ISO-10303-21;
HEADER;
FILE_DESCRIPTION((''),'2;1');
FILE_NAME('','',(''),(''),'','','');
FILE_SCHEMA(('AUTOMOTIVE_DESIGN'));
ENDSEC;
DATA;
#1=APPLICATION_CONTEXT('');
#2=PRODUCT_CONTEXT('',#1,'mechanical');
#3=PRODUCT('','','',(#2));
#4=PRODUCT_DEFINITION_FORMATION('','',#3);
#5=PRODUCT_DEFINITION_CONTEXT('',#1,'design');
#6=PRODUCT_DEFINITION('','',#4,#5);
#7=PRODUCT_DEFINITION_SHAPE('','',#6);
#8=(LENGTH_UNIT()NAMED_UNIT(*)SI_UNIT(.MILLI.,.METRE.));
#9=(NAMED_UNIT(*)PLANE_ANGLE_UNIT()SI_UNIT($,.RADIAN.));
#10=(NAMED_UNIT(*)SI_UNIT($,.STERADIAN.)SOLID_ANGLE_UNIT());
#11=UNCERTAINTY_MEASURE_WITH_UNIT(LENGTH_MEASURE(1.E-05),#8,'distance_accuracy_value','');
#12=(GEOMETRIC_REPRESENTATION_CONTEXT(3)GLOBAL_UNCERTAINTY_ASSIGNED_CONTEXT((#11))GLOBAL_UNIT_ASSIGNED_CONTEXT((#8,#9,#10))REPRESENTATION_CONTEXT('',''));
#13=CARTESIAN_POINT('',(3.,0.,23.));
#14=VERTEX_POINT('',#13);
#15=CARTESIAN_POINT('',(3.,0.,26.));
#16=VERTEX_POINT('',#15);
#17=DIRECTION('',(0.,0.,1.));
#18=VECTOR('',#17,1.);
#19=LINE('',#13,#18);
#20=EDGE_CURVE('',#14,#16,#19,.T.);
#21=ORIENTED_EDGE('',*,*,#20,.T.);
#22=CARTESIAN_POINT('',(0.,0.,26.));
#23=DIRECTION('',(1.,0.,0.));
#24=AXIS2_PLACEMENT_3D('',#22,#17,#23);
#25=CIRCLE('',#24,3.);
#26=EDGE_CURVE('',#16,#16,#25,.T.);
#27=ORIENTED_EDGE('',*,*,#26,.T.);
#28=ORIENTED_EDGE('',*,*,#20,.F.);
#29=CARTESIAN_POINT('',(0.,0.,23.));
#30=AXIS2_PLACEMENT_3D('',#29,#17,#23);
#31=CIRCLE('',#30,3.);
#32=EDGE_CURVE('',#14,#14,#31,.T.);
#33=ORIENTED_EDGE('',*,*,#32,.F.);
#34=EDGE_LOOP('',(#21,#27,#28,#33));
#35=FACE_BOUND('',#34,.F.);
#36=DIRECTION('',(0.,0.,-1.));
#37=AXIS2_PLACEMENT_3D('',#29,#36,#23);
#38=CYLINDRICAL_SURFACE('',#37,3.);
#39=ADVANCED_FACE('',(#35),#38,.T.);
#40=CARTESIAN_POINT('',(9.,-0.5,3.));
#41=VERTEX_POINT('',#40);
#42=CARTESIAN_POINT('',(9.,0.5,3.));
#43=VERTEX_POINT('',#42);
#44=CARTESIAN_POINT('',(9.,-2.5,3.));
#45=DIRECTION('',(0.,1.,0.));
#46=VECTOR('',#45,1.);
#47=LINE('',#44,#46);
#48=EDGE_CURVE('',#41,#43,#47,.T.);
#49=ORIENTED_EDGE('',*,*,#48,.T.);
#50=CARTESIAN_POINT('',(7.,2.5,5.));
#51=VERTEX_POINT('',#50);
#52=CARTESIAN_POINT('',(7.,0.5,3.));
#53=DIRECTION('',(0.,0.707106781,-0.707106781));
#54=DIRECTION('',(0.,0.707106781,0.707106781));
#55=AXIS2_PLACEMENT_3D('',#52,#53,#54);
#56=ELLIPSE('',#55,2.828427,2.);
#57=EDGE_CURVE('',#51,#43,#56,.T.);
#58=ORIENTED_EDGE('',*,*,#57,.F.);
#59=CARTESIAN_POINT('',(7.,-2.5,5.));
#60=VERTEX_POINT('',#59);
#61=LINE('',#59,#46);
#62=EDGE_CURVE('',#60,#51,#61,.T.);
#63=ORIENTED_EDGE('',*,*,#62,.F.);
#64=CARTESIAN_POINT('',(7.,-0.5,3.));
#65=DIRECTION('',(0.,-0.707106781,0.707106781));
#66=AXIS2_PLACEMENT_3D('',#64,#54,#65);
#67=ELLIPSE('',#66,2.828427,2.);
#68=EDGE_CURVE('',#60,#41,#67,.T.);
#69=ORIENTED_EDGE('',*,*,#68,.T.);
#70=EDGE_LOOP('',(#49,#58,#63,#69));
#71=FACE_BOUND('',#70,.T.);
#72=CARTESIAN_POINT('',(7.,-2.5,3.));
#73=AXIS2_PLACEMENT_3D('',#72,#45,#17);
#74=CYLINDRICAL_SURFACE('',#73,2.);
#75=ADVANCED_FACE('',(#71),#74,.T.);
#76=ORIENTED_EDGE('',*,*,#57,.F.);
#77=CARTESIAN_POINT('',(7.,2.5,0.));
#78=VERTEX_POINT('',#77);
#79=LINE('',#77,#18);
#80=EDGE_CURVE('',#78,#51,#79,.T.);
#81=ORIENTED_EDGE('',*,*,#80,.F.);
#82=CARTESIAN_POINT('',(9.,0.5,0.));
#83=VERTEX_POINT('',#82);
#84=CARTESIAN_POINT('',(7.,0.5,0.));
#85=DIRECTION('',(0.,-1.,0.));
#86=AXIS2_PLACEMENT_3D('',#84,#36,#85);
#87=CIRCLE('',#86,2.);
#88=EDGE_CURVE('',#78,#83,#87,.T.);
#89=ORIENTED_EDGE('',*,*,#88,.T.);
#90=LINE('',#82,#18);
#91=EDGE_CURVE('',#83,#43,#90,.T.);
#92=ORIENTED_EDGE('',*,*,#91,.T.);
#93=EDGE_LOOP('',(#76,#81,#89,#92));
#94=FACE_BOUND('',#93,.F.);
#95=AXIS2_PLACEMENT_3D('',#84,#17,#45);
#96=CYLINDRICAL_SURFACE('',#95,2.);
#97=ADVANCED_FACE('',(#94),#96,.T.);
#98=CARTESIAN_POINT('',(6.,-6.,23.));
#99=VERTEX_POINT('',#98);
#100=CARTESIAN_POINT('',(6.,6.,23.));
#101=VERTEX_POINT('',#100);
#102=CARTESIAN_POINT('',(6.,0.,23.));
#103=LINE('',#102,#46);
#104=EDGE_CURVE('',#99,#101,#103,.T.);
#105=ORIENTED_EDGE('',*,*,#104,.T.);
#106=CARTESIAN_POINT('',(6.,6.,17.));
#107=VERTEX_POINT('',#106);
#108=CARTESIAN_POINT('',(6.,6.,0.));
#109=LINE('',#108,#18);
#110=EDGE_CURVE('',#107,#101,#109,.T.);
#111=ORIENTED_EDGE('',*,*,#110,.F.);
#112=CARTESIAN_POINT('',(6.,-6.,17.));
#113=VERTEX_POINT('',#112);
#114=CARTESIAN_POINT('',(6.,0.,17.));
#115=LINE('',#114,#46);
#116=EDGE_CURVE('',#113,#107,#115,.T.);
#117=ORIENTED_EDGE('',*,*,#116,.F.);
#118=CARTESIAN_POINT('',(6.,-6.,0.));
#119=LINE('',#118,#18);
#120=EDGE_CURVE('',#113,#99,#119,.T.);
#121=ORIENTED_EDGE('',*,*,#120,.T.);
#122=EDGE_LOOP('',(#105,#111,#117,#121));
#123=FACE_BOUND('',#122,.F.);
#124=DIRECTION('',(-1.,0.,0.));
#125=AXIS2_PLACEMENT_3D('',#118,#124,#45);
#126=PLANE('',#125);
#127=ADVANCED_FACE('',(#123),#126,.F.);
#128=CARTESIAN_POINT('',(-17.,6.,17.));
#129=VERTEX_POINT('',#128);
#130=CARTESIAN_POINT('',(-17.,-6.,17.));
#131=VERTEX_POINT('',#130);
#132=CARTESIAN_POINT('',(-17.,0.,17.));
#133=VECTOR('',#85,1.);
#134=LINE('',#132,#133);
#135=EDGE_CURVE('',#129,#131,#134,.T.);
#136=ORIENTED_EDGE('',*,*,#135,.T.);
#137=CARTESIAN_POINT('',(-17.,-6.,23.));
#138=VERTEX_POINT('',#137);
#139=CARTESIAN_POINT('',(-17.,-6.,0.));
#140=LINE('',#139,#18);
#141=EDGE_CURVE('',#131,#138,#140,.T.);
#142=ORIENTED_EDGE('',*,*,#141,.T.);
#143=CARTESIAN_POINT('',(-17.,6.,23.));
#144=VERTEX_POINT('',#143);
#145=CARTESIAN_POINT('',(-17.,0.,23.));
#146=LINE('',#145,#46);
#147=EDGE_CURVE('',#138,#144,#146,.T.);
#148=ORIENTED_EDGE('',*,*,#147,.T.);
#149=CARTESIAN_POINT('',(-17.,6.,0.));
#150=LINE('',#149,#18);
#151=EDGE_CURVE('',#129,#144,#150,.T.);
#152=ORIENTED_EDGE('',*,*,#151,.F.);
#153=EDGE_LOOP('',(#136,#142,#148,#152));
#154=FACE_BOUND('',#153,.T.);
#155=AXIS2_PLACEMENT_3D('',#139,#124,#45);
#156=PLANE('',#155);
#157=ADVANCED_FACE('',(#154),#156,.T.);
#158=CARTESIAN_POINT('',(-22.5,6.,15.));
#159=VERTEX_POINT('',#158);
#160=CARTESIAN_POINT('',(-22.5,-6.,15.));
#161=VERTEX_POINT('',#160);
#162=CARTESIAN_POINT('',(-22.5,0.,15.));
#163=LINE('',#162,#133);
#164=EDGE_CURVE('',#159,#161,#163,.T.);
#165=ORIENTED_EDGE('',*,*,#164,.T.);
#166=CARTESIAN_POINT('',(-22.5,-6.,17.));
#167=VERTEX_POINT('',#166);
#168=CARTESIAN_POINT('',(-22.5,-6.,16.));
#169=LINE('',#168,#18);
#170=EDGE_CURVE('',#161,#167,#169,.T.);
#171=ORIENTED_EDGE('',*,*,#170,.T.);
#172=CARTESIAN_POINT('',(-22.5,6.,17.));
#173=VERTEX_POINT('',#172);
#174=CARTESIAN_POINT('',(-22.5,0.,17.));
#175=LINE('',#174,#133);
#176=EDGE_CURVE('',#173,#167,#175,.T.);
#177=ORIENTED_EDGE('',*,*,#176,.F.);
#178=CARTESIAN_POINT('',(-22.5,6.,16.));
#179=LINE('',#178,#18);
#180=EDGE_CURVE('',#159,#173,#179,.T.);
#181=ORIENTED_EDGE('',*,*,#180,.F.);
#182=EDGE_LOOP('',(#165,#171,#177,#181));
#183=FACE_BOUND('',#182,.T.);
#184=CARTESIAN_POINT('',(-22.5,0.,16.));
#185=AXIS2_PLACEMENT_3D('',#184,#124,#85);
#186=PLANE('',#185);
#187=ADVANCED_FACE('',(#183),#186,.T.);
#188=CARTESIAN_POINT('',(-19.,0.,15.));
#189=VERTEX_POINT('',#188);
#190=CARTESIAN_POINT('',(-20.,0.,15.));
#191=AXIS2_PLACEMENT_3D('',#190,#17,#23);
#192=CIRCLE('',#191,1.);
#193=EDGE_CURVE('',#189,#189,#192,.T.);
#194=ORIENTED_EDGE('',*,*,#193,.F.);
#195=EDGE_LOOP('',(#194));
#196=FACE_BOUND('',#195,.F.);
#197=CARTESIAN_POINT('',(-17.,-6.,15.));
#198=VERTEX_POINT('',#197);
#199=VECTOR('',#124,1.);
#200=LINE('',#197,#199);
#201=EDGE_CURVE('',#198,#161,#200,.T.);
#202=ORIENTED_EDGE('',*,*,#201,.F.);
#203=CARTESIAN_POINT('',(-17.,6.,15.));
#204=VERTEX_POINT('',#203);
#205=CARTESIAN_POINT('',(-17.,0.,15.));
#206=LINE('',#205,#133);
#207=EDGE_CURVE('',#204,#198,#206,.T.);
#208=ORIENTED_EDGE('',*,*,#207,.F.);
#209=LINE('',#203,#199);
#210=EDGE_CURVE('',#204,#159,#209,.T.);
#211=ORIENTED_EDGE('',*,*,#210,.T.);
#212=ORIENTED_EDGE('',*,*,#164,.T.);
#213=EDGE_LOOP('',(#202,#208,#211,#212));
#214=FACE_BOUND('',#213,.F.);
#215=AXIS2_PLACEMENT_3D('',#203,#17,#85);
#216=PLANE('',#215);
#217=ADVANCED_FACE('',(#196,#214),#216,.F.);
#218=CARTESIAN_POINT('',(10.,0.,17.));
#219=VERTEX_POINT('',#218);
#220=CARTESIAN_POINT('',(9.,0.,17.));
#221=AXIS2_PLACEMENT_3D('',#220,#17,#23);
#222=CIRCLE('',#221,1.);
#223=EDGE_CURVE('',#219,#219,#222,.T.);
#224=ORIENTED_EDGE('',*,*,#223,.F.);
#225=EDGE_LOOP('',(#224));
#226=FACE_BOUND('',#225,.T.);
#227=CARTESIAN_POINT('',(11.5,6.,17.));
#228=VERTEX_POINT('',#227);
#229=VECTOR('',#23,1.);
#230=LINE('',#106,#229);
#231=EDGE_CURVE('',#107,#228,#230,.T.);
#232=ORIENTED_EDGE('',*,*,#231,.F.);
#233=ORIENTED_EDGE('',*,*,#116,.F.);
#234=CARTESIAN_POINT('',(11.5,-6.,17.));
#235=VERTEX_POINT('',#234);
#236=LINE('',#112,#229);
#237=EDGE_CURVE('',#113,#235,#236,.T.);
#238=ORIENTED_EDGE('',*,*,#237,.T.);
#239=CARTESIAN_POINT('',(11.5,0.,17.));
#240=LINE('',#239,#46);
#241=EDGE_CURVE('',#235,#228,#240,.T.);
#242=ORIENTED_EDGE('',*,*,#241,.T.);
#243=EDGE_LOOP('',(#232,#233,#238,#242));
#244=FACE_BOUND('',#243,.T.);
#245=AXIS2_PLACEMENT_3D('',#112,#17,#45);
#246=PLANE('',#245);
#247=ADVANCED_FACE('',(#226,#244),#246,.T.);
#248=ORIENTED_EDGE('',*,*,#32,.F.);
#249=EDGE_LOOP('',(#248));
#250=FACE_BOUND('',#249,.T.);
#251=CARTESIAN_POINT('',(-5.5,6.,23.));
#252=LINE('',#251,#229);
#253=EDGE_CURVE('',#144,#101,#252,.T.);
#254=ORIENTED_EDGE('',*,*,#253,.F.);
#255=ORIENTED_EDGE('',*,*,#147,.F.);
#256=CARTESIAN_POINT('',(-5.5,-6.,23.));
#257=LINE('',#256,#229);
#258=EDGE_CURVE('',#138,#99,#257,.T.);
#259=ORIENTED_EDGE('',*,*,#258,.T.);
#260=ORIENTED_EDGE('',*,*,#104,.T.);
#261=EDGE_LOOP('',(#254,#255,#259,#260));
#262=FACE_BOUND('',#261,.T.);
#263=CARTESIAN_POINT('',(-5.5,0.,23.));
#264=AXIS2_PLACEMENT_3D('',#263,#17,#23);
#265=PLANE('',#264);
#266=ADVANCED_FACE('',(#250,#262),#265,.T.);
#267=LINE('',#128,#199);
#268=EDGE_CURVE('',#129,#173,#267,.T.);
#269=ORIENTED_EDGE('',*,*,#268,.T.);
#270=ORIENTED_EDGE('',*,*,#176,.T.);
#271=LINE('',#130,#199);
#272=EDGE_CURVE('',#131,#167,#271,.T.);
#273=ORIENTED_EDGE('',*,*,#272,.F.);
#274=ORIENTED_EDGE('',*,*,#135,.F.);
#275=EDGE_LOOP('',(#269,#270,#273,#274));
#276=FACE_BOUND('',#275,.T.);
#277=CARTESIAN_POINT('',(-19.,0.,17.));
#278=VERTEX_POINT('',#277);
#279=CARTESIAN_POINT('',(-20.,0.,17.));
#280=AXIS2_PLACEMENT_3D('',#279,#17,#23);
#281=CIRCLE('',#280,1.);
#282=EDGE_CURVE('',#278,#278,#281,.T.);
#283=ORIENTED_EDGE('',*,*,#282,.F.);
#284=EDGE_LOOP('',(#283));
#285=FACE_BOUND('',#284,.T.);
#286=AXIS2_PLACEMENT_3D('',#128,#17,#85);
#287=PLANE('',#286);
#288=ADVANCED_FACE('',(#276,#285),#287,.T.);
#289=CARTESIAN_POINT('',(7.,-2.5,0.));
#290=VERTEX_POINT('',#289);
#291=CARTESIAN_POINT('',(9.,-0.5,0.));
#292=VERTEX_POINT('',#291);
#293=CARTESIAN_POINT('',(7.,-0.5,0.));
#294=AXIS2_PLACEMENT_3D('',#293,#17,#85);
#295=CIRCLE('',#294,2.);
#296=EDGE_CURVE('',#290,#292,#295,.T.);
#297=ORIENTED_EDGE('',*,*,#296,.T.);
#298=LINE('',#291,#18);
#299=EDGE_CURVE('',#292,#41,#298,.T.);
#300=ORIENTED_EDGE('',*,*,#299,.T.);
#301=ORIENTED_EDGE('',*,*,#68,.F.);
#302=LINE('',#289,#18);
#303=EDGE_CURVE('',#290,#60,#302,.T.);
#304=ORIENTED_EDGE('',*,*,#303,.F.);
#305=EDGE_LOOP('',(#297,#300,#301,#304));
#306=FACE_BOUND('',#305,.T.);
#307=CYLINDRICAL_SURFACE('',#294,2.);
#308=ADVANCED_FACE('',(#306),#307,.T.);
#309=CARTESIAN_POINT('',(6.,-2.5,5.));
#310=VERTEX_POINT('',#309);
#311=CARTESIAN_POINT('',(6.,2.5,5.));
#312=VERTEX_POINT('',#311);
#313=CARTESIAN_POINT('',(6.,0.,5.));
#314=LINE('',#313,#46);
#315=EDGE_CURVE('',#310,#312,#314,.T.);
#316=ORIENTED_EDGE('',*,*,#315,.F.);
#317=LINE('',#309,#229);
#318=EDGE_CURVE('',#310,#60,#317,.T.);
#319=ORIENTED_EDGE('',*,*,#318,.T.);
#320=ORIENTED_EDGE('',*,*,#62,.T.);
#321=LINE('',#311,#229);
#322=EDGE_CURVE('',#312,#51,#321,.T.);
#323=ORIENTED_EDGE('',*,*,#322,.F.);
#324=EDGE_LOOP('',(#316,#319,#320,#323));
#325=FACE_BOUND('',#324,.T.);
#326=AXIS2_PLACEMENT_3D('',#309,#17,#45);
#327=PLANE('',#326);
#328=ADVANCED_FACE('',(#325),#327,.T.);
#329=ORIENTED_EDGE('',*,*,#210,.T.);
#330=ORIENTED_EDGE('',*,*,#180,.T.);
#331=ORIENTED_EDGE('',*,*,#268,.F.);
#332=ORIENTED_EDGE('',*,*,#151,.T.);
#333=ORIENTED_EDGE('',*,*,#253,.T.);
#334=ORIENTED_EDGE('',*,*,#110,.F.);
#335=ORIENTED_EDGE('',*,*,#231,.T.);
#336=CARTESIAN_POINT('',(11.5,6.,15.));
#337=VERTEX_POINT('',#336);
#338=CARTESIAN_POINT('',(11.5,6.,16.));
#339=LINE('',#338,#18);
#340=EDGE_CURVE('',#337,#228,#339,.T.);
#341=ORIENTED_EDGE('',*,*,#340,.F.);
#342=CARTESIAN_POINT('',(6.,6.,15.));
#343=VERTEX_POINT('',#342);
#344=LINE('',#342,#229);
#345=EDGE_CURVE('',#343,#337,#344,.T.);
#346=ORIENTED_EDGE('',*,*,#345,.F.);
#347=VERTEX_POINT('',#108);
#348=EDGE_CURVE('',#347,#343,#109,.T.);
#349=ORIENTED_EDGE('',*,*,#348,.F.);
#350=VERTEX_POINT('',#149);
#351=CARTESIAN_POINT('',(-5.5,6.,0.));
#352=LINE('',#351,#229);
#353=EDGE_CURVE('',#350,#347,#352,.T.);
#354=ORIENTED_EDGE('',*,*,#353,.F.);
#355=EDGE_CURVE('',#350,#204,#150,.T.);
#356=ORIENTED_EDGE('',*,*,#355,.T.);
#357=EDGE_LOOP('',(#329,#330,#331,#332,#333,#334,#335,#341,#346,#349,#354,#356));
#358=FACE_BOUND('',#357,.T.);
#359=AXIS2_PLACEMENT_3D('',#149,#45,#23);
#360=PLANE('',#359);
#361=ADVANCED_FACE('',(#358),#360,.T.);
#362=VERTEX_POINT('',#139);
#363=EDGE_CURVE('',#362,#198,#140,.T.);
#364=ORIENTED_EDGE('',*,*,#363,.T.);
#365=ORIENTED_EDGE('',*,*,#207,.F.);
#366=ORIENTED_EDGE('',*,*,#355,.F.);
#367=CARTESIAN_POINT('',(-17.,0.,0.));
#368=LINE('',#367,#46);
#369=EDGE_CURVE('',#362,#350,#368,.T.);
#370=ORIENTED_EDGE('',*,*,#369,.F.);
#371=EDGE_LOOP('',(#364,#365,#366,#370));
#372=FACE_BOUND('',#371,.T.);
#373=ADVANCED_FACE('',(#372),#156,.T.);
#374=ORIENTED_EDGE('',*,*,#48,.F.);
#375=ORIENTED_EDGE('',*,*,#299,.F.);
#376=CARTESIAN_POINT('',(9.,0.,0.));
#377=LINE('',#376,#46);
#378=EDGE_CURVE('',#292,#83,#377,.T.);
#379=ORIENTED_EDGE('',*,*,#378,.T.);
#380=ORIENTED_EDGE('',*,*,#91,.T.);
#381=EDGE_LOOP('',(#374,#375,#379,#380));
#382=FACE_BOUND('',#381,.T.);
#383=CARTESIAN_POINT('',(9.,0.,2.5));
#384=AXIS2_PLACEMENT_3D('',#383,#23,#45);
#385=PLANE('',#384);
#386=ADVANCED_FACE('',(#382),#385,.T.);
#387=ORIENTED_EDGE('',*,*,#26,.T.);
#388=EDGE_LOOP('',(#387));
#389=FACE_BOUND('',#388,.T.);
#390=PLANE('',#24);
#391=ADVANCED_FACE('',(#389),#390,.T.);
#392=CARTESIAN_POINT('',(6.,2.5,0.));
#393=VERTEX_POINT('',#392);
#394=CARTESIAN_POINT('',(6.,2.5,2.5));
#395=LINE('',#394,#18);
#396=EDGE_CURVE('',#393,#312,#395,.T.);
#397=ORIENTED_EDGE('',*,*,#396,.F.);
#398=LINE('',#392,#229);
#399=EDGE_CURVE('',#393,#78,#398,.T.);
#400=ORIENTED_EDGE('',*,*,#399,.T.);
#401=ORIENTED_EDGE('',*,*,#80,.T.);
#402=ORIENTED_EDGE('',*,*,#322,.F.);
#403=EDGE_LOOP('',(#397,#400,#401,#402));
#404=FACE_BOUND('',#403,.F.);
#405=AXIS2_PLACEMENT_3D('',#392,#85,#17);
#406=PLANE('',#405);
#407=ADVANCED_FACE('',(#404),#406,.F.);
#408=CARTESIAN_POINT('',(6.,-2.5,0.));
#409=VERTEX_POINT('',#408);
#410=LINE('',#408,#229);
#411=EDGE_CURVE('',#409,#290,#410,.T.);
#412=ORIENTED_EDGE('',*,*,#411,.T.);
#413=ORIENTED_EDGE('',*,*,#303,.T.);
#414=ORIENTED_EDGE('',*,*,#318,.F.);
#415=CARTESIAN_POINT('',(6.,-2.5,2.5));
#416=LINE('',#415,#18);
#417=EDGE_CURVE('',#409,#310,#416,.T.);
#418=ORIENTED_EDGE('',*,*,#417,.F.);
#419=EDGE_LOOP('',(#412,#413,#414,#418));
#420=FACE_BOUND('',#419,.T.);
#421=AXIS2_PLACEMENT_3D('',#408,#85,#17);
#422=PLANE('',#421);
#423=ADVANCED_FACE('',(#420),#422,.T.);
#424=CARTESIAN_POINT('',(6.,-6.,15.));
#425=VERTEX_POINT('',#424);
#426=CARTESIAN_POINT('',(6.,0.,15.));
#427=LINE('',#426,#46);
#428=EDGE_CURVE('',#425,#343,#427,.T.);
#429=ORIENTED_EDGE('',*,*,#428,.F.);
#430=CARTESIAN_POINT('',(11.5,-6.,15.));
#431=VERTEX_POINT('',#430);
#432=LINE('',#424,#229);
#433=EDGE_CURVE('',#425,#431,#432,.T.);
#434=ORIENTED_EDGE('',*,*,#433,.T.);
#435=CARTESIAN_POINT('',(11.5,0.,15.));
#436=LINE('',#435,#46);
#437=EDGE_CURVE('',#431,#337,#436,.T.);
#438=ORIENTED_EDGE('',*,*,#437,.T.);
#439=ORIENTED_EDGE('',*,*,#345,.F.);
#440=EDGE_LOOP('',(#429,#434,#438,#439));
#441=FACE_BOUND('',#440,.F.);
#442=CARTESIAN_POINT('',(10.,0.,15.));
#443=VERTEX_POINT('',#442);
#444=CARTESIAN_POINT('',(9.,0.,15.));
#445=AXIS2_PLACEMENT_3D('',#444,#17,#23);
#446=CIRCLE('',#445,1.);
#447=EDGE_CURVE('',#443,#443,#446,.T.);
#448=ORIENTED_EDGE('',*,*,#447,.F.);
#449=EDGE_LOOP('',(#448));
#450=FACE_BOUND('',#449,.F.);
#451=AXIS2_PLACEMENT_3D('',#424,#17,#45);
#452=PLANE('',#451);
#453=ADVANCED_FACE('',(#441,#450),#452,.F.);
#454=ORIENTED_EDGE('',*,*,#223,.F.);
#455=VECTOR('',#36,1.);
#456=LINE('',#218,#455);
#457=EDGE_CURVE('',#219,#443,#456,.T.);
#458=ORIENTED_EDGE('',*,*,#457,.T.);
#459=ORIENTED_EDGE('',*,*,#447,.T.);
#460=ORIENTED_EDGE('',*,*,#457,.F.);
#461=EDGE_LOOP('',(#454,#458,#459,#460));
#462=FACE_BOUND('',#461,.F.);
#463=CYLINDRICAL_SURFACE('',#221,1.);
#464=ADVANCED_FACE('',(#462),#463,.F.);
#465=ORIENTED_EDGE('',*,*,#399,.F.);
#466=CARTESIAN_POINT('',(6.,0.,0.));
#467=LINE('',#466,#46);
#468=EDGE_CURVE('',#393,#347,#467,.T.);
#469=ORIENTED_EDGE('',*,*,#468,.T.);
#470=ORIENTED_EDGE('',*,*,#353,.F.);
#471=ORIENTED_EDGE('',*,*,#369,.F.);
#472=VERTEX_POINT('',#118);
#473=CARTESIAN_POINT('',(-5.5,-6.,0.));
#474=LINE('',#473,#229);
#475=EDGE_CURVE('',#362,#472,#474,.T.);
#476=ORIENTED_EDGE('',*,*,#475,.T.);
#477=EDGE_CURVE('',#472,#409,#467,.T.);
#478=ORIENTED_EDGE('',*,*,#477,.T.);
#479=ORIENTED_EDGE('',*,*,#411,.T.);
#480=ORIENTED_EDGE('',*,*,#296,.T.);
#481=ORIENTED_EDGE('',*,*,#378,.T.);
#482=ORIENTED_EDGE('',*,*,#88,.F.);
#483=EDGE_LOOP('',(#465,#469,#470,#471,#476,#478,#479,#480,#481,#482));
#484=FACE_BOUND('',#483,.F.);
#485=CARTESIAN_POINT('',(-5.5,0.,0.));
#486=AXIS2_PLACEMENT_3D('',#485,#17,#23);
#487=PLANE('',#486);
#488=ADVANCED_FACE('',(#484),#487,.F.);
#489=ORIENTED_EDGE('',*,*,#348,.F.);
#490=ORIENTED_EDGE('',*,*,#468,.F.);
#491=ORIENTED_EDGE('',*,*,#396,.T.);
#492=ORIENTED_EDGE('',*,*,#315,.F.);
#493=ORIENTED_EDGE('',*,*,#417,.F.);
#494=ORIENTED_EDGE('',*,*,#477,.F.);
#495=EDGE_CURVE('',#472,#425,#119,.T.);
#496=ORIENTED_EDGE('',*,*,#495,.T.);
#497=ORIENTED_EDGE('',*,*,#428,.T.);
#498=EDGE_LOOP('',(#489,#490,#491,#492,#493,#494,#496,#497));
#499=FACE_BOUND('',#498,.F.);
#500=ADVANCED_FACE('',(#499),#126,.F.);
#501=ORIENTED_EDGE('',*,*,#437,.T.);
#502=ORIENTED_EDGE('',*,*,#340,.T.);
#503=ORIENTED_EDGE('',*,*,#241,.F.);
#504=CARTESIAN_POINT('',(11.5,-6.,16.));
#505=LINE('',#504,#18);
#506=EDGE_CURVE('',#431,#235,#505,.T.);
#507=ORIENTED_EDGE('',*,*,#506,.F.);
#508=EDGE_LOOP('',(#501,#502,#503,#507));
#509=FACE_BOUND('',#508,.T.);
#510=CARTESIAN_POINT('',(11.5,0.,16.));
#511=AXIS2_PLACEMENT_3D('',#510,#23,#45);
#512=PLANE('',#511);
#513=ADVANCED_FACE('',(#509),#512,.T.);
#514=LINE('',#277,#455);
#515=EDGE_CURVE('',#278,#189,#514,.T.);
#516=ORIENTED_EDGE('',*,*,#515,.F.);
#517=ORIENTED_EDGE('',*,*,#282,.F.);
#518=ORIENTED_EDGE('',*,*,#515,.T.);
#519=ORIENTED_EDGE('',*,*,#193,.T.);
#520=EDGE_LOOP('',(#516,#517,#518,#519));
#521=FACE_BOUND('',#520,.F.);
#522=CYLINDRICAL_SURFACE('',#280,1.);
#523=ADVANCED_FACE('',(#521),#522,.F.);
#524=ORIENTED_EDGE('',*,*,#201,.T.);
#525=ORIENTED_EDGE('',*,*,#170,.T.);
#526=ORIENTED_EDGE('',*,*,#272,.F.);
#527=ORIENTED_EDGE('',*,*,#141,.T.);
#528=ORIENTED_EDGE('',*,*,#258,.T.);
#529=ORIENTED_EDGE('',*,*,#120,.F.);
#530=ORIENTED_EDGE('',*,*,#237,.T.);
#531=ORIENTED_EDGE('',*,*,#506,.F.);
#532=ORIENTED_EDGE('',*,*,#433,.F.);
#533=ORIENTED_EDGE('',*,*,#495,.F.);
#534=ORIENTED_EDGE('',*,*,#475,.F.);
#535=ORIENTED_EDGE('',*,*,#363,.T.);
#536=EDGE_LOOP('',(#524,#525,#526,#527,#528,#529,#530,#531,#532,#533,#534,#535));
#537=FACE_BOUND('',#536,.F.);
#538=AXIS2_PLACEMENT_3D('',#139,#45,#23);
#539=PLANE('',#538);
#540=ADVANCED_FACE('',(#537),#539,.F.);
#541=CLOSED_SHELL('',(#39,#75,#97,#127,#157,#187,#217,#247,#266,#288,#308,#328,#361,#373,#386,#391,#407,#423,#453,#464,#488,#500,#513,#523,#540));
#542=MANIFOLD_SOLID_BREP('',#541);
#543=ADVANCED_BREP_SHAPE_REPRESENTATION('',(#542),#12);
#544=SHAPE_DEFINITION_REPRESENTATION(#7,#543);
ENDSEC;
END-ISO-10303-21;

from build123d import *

# Parameters (mm, degrees)
SKETCH_W     = 23
SKETCH_H     = 12
PAD_DEPTH    = 23
SKETCH001_W  = 12
SKETCH001_H  = 2
PAD001_DEPTH = 5.5
SKETCH002_W  = 12
SKETCH002_H  = 2
PAD002_DEPTH = 5.5
SKETCH003_R  = 1
POCKET_DEPTH = 5
SKETCH004_R  = 3
PAD003_DEPTH = 3
SKETCH006_W  = 5
SKETCH006_H  = 5
PAD004_DEPTH = 3
FILLET_R     = 2


with BuildPart() as part:
    # Sketch → Pad (new body)
    with BuildSketch(Plane.XY):
        with Locations((-5.5, 0)):
            Rectangle(SKETCH_W, SKETCH_H)
    extrude(amount=PAD_DEPTH)

    # Sketch001 (on Face2 of Pad) → Pad001 (join)
    with BuildSketch(Plane.YZ.offset(6)):
        with Locations((0, 16)):
            Rectangle(SKETCH001_W, SKETCH001_H)
    extrude(amount=PAD001_DEPTH)

    # Sketch002 (on Face2 of Pad001) → Pad002 (join)
    with BuildSketch(Plane(origin=(-17, 0, 0), x_dir=(0, -1, 0), z_dir=(-1, 0, 0))):
        with Locations((0, 16)):
            Rectangle(SKETCH002_W, SKETCH002_H)
    extrude(amount=PAD002_DEPTH)

    # Sketch003 (on Face12 of Pad002) → Pocket (cut)
    with BuildSketch(Plane.XY.offset(17)):
        with Locations((-20, 0)):
            Circle(SKETCH003_R)
        with Locations((9, 0)):
            Circle(SKETCH003_R)
    extrude(amount=-POCKET_DEPTH, mode=Mode.SUBTRACT)

    # Sketch004 (on Face9 of Pocket) → Pad003 (join)
    with BuildSketch(Plane.XY.offset(23)):
        Circle(SKETCH004_R)
    extrude(amount=PAD003_DEPTH)

    # Sketch006 → Pad004 (join)
    with BuildSketch(Plane.YZ.offset(6)):
        with Locations((0, 2.5)):
            Rectangle(SKETCH006_W, SKETCH006_H)
    extrude(amount=PAD004_DEPTH)

    # Fillet
    fillet_edges = [part.edges().sort_by_distance(p)[0] for p in [
        (9, -2.5, 2.5),
        (9, 2.5, 2.5),
        (9, 0, 5),
    ]]
    fillet(fillet_edges, radius=FILLET_R)


solid = part.part
